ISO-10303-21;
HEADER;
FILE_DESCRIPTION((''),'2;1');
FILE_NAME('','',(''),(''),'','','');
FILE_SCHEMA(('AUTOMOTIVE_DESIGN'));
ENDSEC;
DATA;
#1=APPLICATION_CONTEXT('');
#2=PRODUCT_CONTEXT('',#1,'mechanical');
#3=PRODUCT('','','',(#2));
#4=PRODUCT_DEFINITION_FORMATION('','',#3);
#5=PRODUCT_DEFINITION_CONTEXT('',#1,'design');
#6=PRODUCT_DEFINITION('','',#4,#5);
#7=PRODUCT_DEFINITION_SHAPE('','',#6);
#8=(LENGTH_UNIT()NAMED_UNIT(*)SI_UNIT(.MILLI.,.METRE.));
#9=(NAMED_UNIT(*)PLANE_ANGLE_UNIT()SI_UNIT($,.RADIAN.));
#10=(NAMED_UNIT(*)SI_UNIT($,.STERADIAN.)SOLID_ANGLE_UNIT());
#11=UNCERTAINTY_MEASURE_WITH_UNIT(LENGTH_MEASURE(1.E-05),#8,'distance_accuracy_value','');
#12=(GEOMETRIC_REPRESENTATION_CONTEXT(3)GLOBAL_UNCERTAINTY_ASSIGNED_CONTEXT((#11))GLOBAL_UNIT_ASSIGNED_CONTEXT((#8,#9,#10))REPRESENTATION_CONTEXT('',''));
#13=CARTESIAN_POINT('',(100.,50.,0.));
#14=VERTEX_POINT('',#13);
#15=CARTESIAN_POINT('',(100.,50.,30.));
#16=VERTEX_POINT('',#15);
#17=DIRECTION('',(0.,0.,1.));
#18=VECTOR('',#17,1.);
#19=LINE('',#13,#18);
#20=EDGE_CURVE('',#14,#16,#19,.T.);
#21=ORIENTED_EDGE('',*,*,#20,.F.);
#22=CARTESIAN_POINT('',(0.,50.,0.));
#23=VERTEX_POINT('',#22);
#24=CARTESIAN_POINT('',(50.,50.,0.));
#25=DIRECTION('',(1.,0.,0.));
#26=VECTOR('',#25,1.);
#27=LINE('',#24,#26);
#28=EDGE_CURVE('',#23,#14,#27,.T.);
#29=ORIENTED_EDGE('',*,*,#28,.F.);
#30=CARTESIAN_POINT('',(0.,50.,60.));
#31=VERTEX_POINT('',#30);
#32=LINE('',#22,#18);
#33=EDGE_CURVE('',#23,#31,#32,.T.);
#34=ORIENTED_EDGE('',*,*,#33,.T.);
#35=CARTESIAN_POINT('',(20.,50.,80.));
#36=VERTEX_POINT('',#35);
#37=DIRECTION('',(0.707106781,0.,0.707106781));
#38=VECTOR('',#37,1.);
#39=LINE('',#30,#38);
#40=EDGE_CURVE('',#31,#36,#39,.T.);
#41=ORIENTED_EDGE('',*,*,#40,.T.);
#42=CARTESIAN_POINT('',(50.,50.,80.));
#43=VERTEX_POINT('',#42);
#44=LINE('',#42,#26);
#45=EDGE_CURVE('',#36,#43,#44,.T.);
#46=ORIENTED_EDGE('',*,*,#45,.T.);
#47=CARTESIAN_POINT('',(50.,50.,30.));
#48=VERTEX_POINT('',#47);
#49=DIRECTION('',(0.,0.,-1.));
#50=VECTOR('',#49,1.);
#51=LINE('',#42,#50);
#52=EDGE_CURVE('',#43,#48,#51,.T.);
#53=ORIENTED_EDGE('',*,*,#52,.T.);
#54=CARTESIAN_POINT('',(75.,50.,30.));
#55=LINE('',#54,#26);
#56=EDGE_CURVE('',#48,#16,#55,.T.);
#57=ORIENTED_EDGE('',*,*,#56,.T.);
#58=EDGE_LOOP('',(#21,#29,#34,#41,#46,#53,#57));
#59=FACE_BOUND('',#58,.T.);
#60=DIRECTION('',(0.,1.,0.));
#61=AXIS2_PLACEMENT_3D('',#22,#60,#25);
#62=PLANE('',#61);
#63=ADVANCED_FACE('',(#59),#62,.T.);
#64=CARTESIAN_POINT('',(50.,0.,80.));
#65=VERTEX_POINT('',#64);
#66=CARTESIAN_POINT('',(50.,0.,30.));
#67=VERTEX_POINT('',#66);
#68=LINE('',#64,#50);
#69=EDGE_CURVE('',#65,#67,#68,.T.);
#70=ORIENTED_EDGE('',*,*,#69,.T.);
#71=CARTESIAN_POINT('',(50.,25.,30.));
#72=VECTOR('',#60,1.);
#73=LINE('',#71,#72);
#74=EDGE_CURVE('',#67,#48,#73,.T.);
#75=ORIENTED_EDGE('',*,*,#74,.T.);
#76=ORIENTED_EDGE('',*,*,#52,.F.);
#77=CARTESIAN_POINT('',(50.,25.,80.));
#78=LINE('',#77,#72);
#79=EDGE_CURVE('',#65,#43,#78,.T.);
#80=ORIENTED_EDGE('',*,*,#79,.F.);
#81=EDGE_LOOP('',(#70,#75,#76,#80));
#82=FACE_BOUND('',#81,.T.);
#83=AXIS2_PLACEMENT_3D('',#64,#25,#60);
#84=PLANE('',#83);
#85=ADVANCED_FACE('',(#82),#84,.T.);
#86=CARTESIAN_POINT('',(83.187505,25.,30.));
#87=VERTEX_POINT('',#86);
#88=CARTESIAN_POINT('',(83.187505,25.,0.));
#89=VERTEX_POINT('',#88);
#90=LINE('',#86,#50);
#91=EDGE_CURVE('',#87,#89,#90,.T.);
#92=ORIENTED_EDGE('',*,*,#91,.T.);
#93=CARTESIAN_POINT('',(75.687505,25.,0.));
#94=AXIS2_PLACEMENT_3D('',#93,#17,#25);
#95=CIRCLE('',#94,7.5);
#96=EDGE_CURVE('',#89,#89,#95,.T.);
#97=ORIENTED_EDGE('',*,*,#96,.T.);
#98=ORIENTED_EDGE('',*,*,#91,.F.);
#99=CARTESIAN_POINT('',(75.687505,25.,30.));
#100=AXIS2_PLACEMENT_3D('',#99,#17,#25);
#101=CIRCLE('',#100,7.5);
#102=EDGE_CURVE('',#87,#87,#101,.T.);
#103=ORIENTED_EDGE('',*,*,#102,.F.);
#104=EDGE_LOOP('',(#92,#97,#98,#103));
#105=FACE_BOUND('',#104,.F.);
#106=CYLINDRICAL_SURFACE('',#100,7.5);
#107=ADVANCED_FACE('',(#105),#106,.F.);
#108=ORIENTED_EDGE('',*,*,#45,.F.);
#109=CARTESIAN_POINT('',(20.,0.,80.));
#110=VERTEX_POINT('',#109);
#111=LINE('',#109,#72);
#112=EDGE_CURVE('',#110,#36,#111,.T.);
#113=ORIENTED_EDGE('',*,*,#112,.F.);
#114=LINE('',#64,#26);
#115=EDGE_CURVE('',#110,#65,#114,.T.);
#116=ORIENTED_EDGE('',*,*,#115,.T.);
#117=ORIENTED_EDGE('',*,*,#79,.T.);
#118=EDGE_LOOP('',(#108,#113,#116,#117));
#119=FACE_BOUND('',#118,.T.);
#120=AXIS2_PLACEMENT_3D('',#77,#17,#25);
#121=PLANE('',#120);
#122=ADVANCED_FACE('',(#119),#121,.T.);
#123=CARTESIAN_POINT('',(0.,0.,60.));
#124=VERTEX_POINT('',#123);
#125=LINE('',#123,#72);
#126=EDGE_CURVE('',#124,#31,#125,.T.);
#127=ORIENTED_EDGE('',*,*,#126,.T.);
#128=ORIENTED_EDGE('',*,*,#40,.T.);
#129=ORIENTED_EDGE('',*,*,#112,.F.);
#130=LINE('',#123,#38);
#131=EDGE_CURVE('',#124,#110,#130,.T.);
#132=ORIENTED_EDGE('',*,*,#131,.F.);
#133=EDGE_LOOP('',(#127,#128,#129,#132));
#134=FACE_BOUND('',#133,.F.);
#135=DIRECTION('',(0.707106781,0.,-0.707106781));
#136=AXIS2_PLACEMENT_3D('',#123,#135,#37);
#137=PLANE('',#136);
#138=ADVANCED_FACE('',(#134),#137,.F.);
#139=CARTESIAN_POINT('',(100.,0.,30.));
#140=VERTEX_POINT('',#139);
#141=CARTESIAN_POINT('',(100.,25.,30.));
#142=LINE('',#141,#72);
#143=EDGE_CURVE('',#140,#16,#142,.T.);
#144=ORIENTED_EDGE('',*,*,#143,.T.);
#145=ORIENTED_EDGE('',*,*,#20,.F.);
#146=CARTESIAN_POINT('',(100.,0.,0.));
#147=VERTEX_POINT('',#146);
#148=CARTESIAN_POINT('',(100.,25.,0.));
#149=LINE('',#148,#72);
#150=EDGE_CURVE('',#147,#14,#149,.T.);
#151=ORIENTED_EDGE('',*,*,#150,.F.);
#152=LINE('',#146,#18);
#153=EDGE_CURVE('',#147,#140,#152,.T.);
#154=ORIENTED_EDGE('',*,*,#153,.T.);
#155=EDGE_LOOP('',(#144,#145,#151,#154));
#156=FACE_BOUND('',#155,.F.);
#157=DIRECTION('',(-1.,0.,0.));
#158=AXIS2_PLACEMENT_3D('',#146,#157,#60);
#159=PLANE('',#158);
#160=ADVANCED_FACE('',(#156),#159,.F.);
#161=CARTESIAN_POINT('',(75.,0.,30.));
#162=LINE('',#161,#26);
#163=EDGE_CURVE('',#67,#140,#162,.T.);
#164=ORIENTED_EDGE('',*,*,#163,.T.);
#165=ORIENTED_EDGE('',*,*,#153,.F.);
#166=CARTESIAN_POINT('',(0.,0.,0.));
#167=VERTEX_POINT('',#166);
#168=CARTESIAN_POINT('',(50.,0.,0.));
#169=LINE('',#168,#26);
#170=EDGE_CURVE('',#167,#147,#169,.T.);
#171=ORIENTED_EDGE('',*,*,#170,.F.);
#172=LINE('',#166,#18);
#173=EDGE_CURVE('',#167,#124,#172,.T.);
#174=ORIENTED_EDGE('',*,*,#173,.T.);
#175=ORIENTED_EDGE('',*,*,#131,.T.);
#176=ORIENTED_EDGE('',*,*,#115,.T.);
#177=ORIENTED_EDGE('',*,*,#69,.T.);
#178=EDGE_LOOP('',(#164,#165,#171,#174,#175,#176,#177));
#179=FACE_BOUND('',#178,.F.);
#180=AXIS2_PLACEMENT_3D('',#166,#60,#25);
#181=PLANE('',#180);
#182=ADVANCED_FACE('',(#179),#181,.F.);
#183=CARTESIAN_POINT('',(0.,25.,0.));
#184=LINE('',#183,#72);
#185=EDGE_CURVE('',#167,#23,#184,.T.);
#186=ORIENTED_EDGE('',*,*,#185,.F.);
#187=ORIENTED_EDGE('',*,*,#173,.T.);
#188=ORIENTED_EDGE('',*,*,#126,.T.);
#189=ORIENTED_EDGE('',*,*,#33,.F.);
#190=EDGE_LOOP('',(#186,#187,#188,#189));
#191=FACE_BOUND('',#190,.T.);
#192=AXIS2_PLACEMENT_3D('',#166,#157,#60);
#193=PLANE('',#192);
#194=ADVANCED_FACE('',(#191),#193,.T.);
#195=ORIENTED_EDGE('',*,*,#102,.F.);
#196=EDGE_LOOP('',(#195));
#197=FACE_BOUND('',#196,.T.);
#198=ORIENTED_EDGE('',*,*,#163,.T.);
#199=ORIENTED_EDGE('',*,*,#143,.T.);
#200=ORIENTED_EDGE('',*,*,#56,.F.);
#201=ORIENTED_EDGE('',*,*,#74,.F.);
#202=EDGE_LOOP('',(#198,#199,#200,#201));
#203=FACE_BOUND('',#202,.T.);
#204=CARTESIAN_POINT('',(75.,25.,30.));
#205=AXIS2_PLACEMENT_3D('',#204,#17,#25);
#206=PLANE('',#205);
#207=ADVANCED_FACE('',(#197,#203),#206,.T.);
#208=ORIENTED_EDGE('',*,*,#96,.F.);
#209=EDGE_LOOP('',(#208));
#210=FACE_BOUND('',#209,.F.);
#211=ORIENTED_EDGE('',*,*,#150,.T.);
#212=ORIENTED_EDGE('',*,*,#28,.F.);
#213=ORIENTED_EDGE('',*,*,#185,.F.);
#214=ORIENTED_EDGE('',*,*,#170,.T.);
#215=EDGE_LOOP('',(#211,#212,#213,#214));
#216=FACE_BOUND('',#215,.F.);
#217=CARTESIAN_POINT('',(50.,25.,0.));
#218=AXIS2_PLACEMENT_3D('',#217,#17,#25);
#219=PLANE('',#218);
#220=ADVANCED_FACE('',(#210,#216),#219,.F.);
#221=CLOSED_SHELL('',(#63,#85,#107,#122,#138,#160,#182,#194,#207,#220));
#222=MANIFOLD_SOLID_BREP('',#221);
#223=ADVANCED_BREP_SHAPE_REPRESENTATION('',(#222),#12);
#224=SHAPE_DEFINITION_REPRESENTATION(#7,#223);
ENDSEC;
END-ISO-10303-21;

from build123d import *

# Parameters (mm, degrees)
F0_W     = 100
F0_H     = 50
F1_DEPTH = 80
F2_W     = 50
F2_H     = 50
F3_DEPTH = 50
F5_DEPTH = 50
F6_R     = 7.5
F7_DEPTH = 30


with BuildPart() as f1:
    # F0 (on Top) → F1 (new body)
    with BuildSketch(Plane.XY):
        with Locations((50, 25)):
            Rectangle(F0_W, F0_H)
    extrude(amount=F1_DEPTH)

    # F2 (on face) → F3 (cut)
    with BuildSketch(Plane.XY.offset(80)):
        with Locations((75, 25)):
            Rectangle(F2_W, F2_H)
    extrude(amount=-F3_DEPTH, mode=Mode.SUBTRACT)

    # F4 (on face) → F5 (cut, through all)
    with BuildSketch(Plane.XZ):
        Polygon((20, 80), (0, 80), (0, 60), align=None)
    extrude(amount=-F5_DEPTH, mode=Mode.SUBTRACT)

    # F6 (on face) → F7 (cut, through all)
    with BuildSketch(Plane.XY.offset(30)):
        with Locations((75.687505, 25)):
            Circle(F6_R)
    extrude(amount=-F7_DEPTH, mode=Mode.SUBTRACT)


solid = f1.part
